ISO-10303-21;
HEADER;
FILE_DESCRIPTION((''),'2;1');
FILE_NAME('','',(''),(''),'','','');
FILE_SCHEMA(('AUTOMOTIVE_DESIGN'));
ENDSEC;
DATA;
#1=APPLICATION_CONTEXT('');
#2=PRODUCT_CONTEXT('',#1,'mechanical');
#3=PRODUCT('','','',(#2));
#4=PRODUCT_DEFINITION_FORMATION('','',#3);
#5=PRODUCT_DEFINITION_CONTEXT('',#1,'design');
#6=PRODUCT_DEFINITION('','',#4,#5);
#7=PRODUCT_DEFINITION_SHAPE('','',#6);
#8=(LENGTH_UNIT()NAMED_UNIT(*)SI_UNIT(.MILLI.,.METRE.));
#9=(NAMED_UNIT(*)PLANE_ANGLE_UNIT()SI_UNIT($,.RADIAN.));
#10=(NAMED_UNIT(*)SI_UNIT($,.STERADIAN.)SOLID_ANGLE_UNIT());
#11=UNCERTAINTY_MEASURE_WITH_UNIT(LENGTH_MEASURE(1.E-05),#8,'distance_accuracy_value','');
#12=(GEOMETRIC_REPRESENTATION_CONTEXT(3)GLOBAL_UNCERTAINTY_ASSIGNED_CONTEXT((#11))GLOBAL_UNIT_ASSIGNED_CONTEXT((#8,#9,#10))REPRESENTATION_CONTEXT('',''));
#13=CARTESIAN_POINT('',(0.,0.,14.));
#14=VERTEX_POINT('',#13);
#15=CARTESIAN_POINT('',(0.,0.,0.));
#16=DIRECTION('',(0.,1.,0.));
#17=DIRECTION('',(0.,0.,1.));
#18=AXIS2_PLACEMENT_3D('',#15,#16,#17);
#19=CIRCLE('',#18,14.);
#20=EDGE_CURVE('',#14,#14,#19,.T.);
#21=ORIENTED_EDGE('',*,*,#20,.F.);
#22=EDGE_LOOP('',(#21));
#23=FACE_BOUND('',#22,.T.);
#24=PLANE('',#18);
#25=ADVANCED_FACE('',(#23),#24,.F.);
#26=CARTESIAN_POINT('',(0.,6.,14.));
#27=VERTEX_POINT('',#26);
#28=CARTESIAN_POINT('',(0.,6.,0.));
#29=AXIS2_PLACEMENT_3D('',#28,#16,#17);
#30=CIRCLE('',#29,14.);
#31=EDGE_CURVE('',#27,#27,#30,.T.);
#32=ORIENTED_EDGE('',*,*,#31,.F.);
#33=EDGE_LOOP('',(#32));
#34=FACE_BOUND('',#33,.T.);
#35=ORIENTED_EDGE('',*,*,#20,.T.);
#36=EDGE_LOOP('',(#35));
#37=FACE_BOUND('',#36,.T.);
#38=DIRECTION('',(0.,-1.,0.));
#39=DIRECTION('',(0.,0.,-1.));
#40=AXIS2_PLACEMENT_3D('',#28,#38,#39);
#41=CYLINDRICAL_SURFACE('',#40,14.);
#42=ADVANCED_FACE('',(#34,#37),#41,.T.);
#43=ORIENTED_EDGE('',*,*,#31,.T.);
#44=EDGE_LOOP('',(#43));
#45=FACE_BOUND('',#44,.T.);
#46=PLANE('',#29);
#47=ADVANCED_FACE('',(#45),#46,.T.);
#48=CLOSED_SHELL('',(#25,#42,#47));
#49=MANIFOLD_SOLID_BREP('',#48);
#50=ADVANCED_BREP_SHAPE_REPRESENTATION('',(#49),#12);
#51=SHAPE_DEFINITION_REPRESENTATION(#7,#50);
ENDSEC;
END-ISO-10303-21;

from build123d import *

# Parameters (mm, degrees)
SKETCH1_R           = 14
BOSS_EXTRUDE1_DEPTH = 6


with BuildPart() as part:
    # Sketch1 → Boss-Extrude1 (new body)
    with BuildSketch(Plane(origin=(0, 0, 0), x_dir=(1, 0, 0), z_dir=(0, 1, 0))):
        Circle(SKETCH1_R)
    extrude(amount=BOSS_EXTRUDE1_DEPTH)


solid = part.part
